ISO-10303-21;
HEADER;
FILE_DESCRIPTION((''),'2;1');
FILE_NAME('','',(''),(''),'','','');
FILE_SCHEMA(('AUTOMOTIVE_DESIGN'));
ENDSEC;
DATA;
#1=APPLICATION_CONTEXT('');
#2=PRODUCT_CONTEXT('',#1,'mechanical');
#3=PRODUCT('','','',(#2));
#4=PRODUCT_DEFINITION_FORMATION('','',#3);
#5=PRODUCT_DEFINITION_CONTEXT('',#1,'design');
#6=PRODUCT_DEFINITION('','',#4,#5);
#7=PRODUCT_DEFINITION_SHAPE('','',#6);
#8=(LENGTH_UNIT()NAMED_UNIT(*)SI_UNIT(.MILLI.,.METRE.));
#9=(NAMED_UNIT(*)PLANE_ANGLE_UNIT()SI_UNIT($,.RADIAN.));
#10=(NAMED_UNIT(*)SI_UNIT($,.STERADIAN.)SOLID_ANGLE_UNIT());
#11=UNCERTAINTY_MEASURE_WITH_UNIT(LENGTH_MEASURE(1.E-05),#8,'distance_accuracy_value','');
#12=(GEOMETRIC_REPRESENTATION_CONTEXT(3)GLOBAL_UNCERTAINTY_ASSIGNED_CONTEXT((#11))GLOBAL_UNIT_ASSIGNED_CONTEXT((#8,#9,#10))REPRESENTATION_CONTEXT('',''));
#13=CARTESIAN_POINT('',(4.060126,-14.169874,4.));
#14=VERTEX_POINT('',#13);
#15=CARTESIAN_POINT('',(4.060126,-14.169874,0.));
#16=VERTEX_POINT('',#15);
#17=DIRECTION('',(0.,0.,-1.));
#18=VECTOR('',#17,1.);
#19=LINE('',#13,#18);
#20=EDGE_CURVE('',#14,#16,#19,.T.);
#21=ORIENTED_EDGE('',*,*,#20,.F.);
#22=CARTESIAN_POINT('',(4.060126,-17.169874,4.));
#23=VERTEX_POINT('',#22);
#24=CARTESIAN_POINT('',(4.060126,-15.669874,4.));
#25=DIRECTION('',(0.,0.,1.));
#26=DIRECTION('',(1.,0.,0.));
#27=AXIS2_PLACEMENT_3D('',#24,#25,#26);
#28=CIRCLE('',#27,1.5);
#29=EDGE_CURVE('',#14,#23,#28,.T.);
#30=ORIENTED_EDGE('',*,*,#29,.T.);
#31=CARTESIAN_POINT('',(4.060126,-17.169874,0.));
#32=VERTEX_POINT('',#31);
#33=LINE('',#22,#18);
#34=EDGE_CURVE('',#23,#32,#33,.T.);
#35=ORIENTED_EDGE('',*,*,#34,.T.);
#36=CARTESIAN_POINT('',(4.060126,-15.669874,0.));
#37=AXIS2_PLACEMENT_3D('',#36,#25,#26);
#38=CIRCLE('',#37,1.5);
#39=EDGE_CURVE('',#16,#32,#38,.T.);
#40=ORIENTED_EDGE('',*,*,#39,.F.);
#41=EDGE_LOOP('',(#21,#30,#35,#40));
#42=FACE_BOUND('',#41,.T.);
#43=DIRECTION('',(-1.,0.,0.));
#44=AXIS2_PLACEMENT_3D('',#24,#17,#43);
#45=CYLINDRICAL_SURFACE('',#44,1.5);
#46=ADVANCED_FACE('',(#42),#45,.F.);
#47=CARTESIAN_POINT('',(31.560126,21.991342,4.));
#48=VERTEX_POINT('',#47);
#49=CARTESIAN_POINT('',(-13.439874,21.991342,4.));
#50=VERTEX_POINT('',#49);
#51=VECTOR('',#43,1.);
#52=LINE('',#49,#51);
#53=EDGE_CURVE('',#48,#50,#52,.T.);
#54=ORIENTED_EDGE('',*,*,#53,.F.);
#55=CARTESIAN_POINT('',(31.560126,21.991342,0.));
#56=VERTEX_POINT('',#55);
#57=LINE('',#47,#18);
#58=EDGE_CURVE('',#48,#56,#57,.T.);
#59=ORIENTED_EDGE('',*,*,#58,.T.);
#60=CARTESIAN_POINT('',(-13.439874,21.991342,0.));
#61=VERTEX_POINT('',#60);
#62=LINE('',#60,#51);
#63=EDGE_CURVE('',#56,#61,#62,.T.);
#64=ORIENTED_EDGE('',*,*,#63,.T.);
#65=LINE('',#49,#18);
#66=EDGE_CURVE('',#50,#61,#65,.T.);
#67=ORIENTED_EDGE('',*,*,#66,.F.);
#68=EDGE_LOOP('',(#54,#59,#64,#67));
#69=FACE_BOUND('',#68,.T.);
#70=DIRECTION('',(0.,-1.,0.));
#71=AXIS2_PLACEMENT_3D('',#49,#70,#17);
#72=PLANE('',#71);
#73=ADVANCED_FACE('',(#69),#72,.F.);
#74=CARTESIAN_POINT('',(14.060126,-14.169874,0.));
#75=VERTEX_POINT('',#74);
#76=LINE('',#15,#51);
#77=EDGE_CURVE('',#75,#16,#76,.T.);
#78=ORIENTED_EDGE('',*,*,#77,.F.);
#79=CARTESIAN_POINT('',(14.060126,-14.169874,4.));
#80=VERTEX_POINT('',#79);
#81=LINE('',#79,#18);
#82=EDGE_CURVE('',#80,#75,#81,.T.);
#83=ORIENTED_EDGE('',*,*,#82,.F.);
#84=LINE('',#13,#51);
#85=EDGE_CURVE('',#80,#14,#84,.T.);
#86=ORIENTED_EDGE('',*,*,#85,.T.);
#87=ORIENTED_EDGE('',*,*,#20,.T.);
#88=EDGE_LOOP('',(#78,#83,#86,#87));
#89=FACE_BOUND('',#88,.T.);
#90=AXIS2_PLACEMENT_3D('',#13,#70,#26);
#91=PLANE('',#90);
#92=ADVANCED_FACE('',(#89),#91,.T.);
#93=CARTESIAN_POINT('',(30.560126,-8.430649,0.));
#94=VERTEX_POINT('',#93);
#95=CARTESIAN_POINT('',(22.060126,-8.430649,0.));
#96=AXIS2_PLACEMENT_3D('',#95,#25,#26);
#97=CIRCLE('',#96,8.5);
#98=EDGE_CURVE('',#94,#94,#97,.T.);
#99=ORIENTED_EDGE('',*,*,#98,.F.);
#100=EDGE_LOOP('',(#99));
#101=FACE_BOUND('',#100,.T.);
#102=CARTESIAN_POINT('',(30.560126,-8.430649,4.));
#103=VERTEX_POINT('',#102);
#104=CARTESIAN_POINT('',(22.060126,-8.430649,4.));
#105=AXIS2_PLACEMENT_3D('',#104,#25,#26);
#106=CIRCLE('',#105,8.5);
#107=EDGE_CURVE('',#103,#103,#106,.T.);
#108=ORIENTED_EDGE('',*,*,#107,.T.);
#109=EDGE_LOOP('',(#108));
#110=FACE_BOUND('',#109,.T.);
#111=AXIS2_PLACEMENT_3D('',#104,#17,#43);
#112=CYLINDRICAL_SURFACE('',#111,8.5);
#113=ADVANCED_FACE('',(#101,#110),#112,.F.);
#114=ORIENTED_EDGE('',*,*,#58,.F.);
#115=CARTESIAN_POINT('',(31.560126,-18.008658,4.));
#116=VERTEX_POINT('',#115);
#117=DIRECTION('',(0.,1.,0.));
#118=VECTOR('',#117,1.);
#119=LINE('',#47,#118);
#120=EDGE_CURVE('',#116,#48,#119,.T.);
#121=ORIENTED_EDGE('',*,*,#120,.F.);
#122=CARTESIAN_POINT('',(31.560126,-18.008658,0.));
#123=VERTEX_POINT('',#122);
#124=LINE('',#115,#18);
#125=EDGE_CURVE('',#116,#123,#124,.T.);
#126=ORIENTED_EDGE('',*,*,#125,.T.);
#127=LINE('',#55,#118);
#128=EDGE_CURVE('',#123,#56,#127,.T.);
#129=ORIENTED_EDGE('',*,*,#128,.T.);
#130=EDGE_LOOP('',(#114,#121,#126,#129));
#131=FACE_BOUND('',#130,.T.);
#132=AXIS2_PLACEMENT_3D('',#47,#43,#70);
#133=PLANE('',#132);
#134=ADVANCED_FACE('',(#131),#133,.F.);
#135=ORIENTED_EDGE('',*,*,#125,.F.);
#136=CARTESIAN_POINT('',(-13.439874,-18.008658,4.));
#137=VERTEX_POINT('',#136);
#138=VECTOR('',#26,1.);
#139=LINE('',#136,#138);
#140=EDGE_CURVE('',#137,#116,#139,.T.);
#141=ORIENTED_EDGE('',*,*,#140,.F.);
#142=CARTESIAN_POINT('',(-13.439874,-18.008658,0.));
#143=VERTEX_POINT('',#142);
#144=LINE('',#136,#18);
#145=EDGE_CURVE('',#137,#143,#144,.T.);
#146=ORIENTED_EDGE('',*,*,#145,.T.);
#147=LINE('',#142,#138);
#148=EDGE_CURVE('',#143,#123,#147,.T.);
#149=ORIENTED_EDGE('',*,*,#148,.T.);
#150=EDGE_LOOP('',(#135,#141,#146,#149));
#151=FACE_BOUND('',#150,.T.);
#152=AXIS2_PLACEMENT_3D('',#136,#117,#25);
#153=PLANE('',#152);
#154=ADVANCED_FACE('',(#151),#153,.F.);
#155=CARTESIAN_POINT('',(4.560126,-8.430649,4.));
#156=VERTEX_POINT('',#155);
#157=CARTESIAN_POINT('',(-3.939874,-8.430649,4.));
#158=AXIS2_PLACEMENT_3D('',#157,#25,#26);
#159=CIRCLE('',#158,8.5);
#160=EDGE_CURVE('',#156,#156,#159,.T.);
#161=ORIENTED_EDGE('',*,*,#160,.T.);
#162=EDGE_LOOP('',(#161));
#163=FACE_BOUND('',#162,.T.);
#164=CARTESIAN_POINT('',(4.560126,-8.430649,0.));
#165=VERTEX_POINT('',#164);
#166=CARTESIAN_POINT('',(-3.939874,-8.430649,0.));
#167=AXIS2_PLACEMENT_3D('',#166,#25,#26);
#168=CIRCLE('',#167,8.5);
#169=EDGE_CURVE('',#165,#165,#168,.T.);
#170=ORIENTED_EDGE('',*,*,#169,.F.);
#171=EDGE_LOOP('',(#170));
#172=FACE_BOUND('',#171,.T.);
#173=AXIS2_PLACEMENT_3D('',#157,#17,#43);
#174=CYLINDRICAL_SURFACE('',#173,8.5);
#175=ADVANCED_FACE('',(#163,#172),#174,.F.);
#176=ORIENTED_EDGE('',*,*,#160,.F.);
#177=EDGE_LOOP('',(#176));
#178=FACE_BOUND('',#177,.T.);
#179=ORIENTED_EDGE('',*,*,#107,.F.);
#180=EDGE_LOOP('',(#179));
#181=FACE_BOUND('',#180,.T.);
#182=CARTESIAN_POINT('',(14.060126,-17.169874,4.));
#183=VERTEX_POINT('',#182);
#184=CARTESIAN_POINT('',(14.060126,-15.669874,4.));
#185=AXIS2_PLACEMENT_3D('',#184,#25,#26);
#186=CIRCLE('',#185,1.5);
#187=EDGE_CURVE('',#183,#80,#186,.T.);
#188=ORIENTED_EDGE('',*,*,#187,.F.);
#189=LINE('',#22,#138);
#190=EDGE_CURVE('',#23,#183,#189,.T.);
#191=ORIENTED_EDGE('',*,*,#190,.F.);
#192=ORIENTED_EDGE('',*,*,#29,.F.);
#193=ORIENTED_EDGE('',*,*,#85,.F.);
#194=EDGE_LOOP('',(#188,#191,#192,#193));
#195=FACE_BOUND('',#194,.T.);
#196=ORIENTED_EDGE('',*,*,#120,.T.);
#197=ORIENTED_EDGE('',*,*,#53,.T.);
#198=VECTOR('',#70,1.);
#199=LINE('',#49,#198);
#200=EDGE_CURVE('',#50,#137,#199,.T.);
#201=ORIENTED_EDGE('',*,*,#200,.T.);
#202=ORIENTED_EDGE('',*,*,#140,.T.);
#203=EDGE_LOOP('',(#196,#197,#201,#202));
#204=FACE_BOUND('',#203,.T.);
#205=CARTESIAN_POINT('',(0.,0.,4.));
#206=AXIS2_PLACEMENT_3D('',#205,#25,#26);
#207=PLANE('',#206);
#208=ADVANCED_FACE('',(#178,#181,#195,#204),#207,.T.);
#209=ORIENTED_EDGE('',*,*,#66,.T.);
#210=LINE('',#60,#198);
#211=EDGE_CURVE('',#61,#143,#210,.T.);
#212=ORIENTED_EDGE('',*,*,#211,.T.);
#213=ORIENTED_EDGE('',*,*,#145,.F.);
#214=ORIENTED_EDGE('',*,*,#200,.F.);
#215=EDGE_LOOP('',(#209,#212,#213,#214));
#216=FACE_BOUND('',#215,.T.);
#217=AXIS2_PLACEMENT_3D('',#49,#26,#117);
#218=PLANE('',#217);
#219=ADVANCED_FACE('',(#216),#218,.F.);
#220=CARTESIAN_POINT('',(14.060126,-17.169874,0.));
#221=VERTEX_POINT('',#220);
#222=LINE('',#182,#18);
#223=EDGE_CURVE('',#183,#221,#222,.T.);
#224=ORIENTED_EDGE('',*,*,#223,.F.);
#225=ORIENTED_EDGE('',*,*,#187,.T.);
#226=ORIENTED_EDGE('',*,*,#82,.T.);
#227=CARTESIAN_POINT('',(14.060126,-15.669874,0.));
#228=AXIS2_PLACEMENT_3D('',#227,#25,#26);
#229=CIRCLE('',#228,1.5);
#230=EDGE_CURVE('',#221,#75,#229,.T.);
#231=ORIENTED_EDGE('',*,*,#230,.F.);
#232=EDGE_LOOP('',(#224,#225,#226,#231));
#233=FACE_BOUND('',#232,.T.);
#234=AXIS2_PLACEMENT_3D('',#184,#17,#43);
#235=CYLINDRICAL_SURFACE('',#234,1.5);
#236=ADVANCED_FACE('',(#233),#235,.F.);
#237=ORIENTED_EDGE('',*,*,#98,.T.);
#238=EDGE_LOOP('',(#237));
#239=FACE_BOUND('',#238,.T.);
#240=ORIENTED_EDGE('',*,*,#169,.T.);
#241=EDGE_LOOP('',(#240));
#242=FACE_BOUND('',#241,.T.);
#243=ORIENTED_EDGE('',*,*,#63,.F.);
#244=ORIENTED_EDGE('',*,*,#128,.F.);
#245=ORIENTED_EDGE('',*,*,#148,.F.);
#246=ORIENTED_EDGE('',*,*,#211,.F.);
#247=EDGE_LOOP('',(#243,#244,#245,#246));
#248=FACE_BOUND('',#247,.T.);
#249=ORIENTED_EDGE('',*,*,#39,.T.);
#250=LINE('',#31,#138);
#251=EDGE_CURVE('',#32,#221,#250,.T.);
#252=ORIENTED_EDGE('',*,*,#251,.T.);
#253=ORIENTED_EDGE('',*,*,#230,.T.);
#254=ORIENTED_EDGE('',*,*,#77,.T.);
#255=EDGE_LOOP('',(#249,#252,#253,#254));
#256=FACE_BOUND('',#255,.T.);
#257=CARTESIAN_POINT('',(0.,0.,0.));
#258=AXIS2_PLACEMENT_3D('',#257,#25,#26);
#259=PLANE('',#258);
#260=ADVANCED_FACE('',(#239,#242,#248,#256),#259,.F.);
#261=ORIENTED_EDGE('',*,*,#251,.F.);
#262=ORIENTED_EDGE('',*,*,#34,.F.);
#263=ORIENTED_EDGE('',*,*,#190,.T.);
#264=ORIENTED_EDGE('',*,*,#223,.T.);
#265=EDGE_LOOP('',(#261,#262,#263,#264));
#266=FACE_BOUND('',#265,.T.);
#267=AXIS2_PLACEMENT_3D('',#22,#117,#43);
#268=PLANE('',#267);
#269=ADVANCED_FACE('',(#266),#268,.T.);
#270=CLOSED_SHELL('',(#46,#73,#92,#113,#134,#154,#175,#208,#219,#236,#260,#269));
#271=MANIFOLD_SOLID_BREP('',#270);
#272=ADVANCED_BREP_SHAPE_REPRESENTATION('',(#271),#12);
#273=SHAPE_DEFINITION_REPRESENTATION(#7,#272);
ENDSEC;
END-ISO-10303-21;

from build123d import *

# Parameters (mm, degrees)
SKETCH1_W           = 45
SKETCH1_H           = 40
SKETCH1_R           = 8.5
BOSS_EXTRUDE1_DEPTH = 4


with BuildPart() as part:
    # Sketch1 → Boss-Extrude1 (new body)
    with BuildSketch(Plane.XY):
        with Locations((9.060125954, 1.991341991)):
            Rectangle(SKETCH1_W, SKETCH1_H)
        with Locations((22.060125954, -8.430649432)):
            Circle(SKETCH1_R, mode=Mode.SUBTRACT)
        with Locations((-3.939874046, -8.430649432)):
            Circle(SKETCH1_R, mode=Mode.SUBTRACT)
        with BuildLine():
            Line((4.060125954, -14.169873575), (14.060125954, -14.169873575))
            ThreePointArc((14.060125954, -14.169873575), (15.560125954, -15.669873575), (14.060125954, -17.169873575))
            Line((14.060125954, -17.169873575), (4.060125954, -17.169873575))
            ThreePointArc((4.060125954, -17.169873575), (2.560125954, -15.669873575), (4.060125954, -14.169873575))
        make_face(mode=Mode.SUBTRACT)
    extrude(amount=BOSS_EXTRUDE1_DEPTH)


solid = part.part
